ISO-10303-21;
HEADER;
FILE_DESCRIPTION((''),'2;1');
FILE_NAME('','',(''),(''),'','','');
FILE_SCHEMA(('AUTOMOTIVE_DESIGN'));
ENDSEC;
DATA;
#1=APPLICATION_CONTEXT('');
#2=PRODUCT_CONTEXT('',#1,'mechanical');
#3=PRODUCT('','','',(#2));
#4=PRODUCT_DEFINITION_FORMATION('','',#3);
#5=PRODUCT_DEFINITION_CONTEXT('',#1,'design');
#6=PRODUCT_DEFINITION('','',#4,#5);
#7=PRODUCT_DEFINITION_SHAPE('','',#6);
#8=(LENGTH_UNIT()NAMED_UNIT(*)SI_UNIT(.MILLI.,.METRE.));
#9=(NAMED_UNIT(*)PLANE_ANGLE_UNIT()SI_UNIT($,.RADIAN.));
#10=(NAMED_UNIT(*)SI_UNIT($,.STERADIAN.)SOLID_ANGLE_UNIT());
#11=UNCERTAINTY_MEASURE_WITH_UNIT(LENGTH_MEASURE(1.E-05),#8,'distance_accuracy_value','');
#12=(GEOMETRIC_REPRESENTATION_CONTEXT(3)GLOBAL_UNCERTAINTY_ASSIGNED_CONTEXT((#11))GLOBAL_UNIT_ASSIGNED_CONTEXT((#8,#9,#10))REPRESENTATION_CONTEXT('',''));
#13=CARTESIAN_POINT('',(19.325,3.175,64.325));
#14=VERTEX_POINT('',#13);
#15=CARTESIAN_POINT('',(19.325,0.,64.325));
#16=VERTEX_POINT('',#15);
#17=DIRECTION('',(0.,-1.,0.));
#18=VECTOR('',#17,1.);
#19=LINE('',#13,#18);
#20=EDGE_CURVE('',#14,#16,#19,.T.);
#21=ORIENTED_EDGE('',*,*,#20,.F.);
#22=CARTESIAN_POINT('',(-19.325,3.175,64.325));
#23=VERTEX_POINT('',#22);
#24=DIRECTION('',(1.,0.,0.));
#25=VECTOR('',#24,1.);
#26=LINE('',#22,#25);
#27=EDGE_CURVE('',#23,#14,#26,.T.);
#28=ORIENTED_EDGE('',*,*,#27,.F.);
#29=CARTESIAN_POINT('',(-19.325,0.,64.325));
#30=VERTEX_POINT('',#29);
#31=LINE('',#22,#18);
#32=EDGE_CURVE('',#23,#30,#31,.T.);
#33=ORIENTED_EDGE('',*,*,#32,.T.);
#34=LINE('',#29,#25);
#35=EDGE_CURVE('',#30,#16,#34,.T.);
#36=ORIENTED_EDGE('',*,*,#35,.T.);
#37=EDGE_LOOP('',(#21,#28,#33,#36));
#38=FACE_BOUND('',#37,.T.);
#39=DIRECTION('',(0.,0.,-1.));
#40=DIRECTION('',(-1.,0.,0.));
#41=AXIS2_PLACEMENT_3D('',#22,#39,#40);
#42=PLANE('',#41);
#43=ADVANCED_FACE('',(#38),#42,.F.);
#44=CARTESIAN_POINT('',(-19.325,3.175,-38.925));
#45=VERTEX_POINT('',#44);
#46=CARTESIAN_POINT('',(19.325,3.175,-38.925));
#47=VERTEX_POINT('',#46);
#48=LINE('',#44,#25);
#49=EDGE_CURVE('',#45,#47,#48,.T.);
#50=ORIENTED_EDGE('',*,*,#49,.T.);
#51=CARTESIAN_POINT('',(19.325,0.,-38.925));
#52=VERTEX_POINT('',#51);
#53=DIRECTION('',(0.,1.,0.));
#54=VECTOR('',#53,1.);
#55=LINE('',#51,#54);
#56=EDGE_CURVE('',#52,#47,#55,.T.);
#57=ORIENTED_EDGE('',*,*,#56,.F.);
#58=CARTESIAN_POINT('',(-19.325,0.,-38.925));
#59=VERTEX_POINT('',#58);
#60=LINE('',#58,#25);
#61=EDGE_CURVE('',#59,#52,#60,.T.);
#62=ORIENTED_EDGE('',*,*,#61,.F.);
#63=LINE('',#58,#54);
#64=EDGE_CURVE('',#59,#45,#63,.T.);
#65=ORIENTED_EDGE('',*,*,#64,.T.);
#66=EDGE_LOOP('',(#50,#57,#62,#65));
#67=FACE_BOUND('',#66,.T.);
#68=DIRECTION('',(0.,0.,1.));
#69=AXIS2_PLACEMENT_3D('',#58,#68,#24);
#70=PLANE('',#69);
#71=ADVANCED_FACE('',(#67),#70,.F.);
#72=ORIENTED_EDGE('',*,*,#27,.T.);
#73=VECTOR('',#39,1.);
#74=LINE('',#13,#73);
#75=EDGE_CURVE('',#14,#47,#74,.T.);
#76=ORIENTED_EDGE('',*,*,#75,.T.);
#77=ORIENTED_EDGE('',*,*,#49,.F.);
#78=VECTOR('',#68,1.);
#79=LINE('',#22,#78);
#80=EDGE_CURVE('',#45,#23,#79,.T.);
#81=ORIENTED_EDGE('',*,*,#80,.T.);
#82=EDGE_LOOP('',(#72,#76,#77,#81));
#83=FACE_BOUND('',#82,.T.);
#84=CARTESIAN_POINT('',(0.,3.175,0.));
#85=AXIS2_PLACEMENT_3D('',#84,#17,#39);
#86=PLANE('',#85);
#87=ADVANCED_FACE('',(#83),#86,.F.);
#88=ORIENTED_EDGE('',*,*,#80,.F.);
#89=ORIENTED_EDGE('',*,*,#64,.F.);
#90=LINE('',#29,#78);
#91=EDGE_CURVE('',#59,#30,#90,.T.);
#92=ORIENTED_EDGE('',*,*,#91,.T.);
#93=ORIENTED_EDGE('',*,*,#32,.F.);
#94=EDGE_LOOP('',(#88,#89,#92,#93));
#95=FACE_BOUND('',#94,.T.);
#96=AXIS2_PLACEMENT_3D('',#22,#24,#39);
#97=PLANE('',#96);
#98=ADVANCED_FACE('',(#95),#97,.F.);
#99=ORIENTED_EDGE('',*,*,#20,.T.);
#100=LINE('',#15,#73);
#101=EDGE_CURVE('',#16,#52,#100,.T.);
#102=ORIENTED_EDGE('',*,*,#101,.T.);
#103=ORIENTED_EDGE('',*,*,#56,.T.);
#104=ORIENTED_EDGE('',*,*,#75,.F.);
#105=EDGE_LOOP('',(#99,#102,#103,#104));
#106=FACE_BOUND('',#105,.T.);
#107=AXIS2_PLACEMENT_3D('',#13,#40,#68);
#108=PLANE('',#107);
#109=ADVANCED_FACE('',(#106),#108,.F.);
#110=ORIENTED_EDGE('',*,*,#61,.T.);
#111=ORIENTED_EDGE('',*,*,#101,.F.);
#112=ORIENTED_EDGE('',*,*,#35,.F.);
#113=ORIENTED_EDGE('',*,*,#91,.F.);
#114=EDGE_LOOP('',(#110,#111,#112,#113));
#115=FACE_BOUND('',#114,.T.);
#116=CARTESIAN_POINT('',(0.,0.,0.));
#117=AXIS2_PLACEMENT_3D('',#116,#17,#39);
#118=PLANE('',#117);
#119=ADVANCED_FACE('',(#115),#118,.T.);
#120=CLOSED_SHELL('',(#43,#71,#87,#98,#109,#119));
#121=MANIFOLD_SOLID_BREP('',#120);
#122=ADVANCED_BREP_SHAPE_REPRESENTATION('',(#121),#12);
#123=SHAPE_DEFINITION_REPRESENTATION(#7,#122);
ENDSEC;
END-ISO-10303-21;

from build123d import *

# Parameters (mm, degrees)
SKETCH1_W           = 38.65
SKETCH1_H           = 128.65
BOSS_EXTRUDE1_DEPTH = 3.175
SKETCH5_W           = 38.65
SKETCH5_H           = 25.4
CUT_EXTRUDE3_DEPTH  = 4.175


with BuildPart() as part:
    # Sketch1 → Boss-Extrude1 (new body)
    with BuildSketch(Plane(origin=(0, 0, 0), x_dir=(1, 0, 0), z_dir=(0, 1, 0))):
        Rectangle(SKETCH1_W, SKETCH1_H)
    extrude(amount=BOSS_EXTRUDE1_DEPTH)

    # Sketch5 → Cut-Extrude3 (cut, through all)
    with BuildSketch(Plane(origin=(0, 3.175, 0), x_dir=(1, 0, 0), z_dir=(0, 1, 0))):
        with Locations((0, 51.625)):
            Rectangle(SKETCH5_W, SKETCH5_H)
    extrude(amount=-CUT_EXTRUDE3_DEPTH, mode=Mode.SUBTRACT)


solid = part.part
